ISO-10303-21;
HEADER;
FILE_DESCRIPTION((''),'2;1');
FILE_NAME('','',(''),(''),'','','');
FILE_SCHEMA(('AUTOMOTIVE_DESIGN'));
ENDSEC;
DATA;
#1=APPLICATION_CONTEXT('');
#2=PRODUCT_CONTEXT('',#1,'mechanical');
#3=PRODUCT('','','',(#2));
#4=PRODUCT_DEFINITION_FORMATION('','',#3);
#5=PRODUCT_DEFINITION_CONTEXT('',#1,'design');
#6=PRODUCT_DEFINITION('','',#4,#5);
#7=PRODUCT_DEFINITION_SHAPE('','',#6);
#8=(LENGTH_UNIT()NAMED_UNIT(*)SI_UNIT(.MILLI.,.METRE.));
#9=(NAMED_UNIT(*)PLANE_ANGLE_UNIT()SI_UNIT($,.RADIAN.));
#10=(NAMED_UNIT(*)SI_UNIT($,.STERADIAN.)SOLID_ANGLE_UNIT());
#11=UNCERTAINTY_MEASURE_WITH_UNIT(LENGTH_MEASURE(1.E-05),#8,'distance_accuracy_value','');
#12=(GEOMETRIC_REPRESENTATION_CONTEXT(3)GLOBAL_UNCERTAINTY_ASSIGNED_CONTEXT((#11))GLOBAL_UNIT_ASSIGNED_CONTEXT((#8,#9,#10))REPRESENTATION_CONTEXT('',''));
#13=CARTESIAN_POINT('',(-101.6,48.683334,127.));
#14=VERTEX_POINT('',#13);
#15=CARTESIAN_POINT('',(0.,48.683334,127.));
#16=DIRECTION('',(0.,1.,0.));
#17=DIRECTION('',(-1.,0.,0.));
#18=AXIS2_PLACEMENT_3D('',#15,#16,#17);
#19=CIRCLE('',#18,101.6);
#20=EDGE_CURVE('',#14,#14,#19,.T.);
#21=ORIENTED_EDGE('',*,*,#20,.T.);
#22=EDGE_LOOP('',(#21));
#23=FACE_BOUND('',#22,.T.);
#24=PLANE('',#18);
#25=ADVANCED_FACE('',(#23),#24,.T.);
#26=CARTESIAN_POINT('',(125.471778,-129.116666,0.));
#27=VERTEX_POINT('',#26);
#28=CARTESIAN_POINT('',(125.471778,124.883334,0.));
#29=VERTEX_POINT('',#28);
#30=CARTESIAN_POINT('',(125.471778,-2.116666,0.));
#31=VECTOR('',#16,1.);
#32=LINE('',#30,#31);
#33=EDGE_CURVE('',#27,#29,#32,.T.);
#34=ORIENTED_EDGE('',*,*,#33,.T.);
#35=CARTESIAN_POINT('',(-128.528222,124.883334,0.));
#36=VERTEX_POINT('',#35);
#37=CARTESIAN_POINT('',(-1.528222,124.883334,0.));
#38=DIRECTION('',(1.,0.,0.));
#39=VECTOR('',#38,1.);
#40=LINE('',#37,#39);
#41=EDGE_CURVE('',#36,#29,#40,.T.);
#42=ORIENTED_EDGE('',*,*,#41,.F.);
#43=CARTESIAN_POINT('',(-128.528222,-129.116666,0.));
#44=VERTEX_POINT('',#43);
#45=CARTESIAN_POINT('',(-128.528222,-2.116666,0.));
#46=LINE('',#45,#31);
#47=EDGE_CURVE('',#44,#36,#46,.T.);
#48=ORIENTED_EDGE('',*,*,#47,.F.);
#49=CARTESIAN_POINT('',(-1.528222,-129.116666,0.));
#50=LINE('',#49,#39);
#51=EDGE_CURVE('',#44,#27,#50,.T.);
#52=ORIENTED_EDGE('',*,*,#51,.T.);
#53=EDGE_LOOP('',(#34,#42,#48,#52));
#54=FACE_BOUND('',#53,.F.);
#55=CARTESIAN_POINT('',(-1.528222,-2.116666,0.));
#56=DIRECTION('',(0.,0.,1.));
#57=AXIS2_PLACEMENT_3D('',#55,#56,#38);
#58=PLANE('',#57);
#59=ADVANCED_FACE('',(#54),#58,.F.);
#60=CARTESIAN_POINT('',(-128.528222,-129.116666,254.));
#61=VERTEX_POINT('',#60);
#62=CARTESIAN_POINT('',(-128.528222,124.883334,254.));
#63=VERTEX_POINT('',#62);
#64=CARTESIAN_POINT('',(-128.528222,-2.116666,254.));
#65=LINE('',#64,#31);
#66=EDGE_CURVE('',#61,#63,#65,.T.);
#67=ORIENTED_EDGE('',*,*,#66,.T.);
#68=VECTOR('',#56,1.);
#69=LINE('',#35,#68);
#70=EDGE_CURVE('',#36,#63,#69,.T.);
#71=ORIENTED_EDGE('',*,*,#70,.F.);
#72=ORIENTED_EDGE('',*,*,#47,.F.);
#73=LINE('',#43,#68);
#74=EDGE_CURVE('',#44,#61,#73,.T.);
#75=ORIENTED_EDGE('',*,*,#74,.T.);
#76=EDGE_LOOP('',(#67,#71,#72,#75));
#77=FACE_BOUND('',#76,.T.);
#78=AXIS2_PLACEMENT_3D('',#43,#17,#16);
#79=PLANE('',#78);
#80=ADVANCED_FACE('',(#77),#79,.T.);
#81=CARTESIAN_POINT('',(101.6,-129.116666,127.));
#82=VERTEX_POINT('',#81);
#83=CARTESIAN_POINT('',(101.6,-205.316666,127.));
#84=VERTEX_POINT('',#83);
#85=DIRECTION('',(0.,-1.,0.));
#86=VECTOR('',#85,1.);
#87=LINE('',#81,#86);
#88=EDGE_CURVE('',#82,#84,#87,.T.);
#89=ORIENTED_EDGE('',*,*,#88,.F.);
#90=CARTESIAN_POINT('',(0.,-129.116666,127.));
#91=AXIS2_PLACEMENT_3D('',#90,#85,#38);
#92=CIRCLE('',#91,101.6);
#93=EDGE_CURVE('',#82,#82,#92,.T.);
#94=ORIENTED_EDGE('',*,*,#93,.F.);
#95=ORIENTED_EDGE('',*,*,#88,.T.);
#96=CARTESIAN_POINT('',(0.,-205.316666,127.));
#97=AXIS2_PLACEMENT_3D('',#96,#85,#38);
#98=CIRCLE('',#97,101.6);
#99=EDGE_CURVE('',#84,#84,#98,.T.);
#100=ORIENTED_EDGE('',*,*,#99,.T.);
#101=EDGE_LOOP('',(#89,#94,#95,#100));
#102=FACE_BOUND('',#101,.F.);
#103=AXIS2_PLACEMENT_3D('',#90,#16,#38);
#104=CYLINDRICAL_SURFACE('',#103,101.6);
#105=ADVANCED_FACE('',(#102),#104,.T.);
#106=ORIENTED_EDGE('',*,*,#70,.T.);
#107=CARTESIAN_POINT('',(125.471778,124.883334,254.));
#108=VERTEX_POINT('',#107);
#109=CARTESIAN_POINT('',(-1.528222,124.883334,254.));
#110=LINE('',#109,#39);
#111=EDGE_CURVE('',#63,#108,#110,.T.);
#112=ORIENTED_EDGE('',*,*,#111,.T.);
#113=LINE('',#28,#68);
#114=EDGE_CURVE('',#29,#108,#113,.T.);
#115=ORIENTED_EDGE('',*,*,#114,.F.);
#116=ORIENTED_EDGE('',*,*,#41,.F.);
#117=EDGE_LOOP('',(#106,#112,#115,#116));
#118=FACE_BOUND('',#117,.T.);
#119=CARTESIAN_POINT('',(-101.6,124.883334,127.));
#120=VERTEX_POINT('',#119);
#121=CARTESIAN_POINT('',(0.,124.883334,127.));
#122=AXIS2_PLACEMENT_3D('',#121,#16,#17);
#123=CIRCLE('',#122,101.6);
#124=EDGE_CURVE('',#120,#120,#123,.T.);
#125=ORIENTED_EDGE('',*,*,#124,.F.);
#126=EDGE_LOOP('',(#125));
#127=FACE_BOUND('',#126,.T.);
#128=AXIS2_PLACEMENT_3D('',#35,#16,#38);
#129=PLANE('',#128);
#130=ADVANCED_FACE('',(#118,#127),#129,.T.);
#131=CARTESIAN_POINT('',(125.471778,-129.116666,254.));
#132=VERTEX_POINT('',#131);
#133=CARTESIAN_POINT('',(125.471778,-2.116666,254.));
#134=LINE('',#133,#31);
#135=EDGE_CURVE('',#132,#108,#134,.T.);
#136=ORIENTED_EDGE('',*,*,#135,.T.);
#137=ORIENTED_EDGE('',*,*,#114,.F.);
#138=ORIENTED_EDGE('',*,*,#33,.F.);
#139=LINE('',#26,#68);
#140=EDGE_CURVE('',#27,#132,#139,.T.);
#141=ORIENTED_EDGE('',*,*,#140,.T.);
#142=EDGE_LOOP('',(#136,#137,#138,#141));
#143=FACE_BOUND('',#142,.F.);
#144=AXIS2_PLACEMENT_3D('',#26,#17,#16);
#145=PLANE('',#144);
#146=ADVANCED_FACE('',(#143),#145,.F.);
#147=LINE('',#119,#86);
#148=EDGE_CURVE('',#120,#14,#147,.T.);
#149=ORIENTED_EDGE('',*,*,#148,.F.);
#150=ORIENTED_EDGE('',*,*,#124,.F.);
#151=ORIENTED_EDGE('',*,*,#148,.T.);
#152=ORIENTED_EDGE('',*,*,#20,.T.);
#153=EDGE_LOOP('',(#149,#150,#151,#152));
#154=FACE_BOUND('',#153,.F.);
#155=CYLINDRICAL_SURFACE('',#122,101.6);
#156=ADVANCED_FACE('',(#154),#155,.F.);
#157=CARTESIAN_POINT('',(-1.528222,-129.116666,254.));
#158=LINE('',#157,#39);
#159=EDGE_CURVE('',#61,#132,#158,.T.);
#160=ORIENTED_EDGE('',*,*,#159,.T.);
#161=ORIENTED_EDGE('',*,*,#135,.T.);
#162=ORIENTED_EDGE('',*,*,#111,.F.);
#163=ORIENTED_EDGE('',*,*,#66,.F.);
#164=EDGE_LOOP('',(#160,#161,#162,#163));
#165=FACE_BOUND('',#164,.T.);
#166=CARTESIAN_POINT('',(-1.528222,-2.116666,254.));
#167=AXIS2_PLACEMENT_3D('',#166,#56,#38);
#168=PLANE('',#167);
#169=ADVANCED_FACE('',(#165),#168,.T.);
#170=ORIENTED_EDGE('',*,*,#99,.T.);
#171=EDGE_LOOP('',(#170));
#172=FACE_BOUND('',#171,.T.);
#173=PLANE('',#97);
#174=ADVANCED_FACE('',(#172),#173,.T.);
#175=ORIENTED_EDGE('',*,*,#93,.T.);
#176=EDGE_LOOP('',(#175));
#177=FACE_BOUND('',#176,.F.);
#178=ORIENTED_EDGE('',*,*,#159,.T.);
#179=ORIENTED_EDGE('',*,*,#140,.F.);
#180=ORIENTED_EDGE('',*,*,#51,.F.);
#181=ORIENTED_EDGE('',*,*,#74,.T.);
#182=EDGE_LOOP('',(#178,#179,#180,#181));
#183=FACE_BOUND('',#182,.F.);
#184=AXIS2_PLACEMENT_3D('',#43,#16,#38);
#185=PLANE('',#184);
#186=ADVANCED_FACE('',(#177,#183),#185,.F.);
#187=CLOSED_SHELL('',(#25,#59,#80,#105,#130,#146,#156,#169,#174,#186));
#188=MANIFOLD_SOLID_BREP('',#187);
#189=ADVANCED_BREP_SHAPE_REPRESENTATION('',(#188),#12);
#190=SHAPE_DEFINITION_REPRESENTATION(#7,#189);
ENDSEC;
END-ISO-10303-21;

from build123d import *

# Parameters (mm, degrees)
F0_W     = 254
F0_H     = 254
F1_DEPTH = 254
F2_R     = 101.6
F3_DEPTH = 76.2
F4_R     = 101.6
F5_DEPTH = 76.2


with BuildPart() as f1:
    # F0 (on Top) → F1 (new body)
    with BuildSketch(Plane.XY):
        with Locations((-1.528222, -2.116666)):
            Rectangle(F0_W, F0_H)
    extrude(amount=F1_DEPTH)

    # F2 (on face) → F3 (join)
    with BuildSketch(Plane.XZ.offset(129.116666)):
        with Locations((0, 127)):
            Circle(F2_R)
    extrude(amount=F3_DEPTH)

    # F4 (on face) → F5 (cut)
    with BuildSketch(Plane(origin=(0, 124.883334, 0), x_dir=(-1, 0, 0), z_dir=(0, 1, 0))):
        with Locations((0, 127)):
            Circle(F4_R)
    extrude(amount=-F5_DEPTH, mode=Mode.SUBTRACT)


solid = f1.part
